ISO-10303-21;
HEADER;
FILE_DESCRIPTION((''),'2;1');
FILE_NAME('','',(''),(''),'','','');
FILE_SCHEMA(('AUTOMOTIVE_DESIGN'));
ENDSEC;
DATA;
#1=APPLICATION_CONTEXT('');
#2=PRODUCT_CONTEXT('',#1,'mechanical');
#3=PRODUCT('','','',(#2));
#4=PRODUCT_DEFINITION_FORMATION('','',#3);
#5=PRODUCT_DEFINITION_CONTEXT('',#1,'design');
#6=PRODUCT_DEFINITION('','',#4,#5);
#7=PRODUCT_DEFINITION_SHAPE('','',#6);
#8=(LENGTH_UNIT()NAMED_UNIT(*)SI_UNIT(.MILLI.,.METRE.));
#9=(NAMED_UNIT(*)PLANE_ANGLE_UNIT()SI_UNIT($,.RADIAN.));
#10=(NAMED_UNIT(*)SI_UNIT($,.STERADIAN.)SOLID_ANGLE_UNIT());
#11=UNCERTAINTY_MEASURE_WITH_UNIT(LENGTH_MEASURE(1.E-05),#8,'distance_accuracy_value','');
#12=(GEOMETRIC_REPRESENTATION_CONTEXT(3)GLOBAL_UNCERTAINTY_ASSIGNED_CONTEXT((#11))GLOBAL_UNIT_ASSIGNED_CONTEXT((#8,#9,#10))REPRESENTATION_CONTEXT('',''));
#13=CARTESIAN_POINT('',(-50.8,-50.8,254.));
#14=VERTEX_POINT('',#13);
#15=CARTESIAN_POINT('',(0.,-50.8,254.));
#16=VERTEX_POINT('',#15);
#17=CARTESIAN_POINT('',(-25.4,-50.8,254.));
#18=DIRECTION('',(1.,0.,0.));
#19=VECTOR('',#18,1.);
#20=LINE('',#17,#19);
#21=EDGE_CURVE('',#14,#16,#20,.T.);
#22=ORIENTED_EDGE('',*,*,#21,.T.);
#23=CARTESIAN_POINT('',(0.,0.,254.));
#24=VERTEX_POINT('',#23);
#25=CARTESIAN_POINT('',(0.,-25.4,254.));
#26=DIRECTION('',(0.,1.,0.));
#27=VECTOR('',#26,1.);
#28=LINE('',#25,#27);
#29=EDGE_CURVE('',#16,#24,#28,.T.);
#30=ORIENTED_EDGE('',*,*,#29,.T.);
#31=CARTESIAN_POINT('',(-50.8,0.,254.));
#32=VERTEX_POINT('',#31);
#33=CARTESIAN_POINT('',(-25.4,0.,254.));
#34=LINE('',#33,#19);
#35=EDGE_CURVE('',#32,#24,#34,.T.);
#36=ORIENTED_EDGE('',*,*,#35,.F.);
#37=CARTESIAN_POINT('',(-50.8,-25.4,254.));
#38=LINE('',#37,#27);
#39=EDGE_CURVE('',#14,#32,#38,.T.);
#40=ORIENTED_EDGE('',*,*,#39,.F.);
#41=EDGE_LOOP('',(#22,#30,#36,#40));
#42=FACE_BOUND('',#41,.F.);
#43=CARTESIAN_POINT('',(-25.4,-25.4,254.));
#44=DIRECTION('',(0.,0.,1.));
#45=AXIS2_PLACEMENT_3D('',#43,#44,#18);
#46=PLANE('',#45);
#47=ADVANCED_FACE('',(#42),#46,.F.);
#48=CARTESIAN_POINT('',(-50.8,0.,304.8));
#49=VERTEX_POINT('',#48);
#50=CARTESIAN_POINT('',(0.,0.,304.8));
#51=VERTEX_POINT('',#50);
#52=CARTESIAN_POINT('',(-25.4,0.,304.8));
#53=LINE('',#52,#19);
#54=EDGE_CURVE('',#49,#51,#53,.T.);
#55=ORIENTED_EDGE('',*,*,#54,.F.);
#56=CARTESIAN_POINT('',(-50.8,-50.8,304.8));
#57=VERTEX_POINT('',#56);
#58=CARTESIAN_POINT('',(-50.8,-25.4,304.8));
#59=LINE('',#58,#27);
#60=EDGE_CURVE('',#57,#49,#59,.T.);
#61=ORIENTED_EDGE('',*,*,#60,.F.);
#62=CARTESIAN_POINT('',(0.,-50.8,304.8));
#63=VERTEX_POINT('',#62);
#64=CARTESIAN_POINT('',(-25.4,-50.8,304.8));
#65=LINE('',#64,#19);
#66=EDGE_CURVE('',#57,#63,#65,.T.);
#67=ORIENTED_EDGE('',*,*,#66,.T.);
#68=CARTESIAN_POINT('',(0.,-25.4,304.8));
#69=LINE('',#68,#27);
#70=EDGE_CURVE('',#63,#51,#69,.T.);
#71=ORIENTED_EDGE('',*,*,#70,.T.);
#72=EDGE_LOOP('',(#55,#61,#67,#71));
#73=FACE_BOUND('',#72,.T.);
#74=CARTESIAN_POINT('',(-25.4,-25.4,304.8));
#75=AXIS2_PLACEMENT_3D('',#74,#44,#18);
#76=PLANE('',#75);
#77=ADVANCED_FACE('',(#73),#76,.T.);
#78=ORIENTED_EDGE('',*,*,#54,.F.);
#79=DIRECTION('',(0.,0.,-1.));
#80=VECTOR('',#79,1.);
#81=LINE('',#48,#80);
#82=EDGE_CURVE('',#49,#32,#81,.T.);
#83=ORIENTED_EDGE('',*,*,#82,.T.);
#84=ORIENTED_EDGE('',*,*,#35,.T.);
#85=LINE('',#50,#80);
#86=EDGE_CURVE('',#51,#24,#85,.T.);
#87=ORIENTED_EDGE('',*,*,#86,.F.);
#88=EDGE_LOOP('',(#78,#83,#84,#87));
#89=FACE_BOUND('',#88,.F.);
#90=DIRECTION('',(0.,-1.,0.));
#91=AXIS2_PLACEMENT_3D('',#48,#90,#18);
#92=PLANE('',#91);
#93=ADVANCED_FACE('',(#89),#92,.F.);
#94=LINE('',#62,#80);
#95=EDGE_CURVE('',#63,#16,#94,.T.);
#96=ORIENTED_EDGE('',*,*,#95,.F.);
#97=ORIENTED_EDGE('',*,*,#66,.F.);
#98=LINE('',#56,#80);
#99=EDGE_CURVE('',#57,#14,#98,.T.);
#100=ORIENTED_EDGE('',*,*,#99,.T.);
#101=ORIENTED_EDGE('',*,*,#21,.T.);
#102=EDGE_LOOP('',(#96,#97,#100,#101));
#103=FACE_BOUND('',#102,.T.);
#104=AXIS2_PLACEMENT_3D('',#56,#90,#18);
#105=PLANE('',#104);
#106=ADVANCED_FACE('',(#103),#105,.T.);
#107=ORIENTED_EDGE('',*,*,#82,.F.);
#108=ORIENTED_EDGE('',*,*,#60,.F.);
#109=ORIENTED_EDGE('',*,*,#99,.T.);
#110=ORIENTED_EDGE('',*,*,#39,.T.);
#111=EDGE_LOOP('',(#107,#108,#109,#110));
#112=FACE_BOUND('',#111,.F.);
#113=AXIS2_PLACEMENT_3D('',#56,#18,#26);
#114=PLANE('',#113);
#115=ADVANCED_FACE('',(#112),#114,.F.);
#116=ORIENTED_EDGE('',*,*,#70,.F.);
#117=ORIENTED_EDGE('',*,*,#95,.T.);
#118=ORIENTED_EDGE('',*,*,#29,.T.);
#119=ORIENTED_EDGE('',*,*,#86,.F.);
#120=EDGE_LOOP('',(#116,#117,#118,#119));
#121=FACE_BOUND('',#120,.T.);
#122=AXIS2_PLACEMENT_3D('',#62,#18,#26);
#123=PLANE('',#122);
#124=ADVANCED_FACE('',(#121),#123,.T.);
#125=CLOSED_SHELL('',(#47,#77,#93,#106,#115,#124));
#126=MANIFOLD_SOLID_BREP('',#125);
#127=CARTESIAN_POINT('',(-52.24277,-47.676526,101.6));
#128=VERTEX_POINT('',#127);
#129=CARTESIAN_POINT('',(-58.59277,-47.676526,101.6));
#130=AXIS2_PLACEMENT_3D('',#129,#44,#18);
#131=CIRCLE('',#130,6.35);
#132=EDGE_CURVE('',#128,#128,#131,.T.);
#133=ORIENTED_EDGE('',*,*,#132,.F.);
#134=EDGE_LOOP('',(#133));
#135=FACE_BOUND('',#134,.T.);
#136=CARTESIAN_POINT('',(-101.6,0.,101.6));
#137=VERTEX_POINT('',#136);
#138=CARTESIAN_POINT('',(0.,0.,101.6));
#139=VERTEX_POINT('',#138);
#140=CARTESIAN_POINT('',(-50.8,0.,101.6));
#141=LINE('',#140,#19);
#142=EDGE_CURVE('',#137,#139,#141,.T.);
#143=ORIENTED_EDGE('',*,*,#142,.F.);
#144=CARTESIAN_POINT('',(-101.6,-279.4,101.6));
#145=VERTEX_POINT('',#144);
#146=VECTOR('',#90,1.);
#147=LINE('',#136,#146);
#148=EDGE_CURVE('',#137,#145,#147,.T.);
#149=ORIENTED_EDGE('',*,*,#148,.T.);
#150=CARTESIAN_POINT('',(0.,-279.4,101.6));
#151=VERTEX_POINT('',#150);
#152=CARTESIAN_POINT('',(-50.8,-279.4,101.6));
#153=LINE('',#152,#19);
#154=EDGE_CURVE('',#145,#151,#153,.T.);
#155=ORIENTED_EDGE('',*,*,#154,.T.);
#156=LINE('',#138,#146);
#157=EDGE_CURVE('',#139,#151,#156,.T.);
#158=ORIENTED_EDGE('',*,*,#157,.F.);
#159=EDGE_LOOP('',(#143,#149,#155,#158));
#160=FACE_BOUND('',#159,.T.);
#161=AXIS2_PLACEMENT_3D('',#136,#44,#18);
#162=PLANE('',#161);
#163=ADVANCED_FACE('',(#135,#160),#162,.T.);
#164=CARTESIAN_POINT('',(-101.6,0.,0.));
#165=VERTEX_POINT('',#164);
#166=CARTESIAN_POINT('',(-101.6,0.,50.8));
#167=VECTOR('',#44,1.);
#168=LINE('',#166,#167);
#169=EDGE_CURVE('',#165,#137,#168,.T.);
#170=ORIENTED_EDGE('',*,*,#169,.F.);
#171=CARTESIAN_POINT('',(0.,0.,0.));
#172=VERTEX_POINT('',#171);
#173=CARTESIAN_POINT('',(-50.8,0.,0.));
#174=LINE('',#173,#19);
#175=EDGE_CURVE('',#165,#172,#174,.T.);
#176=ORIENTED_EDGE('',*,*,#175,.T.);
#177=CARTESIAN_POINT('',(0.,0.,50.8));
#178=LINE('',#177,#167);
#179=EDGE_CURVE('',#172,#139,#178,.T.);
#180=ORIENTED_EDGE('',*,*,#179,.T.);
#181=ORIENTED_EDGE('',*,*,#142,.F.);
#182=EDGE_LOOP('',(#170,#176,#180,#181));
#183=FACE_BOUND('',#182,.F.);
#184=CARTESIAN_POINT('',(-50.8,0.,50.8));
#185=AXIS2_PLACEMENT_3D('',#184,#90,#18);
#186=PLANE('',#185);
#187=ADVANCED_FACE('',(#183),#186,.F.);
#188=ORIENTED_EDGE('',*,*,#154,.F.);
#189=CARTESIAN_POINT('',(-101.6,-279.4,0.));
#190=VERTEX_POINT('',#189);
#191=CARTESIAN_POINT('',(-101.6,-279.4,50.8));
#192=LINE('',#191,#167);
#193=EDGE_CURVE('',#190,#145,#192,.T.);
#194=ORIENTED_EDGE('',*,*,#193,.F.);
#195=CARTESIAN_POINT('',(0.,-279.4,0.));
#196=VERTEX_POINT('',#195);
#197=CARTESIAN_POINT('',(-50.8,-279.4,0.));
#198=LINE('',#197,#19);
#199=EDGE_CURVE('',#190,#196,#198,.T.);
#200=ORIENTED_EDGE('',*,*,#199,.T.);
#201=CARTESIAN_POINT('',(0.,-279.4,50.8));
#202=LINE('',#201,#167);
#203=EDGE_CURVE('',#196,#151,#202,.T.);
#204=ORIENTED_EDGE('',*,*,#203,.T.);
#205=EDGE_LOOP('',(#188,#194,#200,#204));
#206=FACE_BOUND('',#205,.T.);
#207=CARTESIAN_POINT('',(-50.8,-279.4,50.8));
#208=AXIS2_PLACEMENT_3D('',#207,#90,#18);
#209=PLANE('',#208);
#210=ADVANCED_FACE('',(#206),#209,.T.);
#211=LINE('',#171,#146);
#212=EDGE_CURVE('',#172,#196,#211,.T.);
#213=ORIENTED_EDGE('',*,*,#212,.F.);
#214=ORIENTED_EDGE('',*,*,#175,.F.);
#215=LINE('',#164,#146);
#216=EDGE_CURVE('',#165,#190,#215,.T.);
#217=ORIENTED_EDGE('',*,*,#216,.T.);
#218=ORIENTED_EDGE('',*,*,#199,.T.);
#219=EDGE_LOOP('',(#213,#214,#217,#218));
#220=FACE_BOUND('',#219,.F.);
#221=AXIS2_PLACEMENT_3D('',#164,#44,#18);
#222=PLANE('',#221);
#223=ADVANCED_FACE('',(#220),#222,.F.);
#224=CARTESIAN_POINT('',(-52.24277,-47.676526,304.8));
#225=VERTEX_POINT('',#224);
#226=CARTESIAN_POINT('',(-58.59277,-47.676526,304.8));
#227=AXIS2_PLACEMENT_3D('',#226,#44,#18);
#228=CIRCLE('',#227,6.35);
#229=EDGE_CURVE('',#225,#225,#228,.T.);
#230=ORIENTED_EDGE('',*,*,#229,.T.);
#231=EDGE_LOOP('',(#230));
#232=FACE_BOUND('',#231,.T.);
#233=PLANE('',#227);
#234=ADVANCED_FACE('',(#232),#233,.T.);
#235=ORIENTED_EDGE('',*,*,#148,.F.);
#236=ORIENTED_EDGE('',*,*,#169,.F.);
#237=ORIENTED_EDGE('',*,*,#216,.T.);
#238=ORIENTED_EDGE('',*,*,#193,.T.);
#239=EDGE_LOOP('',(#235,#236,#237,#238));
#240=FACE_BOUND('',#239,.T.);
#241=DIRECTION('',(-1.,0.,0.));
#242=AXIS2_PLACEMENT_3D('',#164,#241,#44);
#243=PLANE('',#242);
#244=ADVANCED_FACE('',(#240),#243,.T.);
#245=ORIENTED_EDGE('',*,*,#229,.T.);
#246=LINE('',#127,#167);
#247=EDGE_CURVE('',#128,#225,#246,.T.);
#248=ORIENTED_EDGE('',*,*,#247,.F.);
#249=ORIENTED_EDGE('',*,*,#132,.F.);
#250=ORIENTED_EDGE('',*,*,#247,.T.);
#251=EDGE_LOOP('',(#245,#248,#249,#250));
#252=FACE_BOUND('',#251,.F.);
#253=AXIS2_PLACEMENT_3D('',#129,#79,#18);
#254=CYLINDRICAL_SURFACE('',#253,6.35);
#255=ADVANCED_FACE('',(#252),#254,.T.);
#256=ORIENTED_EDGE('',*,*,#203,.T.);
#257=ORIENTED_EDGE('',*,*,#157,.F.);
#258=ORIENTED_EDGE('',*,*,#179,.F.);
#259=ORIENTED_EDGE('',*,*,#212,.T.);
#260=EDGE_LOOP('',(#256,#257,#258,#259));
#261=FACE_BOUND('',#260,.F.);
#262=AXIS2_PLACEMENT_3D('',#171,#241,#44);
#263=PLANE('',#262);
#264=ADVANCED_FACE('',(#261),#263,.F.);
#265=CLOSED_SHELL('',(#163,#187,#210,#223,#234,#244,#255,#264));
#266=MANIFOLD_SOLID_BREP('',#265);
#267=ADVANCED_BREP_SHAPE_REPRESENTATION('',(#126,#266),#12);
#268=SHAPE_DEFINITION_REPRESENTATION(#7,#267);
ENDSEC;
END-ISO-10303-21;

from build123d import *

# Parameters (mm, degrees)
F0_W     = 101.6
F0_H     = 101.6
F1_DEPTH = 279.4
F2_R     = 6.35
F3_DEPTH = 203.2
F4_W     = 50.8
F4_H     = 50.8
F5_DEPTH = 50.8


with BuildPart() as f1:
    # F0 (on Front) → F1 (new body)
    with BuildSketch(Plane.XZ):
        with Locations((-50.8, 50.8)):
            Rectangle(F0_W, F0_H)
    extrude(amount=F1_DEPTH)

    # F2 (on face) → F3 (join)
    with BuildSketch(Plane.XY.offset(101.6)):
        with Locations((-58.59277, -47.676526)):
            Circle(F2_R)
    extrude(amount=F3_DEPTH)


with BuildPart() as f5:
    # F4 (on face) → F5 (new body)
    with BuildSketch(Plane.XY.offset(304.8)):
        with Locations((-25.4, -25.4)):
            Rectangle(F4_W, F4_H)
    extrude(amount=-F5_DEPTH)


solid = Compound([f1.part, f5.part])
